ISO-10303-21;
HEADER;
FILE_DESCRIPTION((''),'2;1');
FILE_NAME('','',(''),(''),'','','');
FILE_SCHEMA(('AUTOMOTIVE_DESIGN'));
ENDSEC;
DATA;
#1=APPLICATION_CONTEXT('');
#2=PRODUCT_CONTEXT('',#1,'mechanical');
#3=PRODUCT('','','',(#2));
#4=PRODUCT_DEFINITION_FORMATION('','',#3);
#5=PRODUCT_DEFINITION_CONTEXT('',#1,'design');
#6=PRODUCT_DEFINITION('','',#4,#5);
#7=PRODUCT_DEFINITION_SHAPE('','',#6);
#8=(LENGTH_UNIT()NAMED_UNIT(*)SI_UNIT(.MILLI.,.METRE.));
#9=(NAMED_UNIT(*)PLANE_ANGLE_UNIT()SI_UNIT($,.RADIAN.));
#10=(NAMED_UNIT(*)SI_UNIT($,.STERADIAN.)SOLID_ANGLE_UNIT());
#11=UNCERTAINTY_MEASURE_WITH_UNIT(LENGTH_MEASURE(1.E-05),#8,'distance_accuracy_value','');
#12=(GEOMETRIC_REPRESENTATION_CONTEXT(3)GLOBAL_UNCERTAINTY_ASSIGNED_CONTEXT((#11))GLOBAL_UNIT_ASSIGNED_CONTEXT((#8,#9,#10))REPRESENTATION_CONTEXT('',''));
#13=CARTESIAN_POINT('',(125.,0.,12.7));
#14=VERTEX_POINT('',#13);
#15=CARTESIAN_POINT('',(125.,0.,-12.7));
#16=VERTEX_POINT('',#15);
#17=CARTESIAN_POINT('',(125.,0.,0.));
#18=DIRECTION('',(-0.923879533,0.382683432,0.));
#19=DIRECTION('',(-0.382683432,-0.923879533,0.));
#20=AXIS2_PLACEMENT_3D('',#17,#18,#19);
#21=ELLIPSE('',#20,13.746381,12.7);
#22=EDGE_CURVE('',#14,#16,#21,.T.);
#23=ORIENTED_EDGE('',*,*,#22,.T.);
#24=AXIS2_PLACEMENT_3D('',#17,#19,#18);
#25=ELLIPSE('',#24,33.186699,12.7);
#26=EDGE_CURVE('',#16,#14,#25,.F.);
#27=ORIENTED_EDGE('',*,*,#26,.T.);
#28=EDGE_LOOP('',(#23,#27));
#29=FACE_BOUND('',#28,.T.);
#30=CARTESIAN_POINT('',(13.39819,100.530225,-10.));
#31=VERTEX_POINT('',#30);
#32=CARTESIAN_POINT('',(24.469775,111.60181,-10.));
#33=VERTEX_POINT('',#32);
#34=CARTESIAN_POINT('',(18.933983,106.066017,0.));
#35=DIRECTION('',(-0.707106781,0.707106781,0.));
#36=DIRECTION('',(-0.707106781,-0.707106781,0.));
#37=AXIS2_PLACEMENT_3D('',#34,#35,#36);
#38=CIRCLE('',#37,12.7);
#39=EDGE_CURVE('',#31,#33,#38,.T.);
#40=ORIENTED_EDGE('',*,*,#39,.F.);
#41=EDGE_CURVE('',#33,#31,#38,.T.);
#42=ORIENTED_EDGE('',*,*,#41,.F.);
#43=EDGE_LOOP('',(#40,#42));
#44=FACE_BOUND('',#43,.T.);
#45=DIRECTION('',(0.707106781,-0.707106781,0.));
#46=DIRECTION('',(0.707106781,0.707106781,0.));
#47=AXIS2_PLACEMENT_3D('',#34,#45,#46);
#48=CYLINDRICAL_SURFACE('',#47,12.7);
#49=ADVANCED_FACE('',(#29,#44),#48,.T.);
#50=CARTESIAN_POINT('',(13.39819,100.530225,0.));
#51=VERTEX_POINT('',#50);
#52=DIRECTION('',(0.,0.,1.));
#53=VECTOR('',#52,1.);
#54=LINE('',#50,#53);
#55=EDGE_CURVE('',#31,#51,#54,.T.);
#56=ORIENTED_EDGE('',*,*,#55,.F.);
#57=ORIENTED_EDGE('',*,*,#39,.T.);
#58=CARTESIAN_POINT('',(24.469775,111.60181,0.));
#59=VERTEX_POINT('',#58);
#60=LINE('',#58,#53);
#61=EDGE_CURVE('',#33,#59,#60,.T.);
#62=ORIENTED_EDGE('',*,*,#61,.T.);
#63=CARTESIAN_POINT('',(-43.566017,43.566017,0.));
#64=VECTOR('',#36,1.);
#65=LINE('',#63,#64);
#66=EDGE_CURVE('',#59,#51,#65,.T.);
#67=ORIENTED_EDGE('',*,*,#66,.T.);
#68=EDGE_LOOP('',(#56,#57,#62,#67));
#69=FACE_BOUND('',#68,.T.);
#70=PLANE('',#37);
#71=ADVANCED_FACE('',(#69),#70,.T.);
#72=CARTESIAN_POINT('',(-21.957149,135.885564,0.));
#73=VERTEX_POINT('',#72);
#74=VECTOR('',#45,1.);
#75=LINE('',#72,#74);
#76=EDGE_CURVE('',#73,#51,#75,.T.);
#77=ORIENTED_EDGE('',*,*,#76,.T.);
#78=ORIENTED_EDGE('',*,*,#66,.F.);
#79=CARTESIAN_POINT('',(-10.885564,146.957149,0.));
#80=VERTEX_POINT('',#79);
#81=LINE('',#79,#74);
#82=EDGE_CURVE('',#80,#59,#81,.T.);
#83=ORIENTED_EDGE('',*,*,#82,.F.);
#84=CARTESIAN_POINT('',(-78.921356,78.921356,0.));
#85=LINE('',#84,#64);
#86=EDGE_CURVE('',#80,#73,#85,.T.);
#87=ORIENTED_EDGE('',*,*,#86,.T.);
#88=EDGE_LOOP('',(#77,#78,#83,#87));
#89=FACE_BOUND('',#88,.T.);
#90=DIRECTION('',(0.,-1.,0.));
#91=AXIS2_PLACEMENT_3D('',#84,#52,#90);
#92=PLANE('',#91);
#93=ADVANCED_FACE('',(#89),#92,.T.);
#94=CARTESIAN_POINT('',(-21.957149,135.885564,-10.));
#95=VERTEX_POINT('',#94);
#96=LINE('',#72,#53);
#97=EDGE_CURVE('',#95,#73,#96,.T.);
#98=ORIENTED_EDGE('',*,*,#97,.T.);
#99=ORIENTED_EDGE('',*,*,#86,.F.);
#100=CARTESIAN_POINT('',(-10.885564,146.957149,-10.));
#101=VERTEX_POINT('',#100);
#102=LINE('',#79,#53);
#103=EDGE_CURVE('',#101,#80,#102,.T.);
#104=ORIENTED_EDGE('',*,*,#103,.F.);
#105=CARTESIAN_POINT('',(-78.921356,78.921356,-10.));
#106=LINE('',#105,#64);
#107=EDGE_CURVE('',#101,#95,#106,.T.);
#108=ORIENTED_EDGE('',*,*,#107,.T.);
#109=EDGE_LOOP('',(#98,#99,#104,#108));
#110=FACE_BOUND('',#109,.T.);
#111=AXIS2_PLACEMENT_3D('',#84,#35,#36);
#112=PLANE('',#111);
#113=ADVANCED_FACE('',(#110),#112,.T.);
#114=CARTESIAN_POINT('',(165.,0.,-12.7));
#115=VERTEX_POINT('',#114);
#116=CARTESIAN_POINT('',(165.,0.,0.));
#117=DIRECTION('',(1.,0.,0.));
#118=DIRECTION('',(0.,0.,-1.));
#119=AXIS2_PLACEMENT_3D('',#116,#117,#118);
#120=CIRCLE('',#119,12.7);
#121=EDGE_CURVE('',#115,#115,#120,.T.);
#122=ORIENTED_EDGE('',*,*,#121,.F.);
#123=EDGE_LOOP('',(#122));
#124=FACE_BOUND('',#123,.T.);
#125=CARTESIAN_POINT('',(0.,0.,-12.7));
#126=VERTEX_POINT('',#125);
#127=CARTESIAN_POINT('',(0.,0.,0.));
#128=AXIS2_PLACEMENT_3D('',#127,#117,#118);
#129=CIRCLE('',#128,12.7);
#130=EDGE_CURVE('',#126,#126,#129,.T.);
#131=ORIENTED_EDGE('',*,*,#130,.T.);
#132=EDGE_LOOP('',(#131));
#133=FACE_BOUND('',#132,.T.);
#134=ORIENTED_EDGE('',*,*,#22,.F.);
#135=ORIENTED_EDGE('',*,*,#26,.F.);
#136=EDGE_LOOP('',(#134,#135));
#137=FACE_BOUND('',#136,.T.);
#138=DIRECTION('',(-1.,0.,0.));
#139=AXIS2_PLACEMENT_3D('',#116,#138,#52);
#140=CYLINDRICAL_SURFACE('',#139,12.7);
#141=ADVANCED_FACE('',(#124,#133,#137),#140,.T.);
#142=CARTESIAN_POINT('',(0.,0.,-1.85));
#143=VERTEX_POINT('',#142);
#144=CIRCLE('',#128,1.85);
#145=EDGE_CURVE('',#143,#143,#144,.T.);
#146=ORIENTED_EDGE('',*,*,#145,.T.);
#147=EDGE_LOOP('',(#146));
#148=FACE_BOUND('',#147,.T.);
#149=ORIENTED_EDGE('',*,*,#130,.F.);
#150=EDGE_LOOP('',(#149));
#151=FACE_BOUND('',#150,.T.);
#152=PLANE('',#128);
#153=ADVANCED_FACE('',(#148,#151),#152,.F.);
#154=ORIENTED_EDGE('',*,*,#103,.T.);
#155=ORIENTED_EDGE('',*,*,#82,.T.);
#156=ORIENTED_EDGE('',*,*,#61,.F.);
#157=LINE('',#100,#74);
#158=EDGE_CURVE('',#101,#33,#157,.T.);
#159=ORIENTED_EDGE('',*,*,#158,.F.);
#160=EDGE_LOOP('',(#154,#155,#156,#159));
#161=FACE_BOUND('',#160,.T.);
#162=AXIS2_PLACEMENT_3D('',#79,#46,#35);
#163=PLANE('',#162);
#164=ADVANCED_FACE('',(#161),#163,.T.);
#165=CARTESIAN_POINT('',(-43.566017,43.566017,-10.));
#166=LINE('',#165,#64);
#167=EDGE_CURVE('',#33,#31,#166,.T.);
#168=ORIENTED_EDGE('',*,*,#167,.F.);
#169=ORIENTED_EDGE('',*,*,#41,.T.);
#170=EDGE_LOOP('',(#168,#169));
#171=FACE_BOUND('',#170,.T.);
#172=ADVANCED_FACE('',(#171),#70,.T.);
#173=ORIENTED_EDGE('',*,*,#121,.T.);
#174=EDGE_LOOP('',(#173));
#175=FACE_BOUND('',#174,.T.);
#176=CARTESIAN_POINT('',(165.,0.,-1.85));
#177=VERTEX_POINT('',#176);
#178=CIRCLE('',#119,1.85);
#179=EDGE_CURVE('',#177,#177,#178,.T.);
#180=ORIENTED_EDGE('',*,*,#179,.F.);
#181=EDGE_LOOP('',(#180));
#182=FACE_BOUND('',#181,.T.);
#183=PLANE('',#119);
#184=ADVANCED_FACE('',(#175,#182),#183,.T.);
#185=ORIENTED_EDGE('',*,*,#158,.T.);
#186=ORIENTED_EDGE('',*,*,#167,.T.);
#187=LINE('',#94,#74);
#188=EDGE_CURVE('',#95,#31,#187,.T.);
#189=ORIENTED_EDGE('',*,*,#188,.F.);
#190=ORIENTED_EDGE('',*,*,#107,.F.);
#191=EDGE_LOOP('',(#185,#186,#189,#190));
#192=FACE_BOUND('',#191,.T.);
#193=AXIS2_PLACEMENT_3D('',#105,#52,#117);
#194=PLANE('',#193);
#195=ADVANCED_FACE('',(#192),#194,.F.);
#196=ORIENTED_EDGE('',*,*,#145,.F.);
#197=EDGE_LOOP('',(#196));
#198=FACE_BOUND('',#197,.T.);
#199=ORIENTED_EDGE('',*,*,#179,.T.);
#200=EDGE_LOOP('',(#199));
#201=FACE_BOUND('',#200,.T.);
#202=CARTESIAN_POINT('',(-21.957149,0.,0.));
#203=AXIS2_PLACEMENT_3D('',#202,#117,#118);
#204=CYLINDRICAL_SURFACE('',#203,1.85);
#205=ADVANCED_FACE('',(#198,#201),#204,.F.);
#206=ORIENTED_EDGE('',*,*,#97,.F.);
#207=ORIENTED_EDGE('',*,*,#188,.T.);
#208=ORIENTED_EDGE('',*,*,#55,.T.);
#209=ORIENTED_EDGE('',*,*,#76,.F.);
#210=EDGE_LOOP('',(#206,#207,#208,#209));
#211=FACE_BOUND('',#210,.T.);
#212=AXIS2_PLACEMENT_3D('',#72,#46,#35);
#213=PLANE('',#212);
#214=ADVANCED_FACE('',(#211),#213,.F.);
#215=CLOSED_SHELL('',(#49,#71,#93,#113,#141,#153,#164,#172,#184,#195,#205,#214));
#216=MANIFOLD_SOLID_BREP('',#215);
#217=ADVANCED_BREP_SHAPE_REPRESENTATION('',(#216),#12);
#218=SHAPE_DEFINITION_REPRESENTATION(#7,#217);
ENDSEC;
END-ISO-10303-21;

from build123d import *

# Parameters (mm, degrees)
SKETCH1_R           = 12.7
BOSS_EXTRUDE1_DEPTH = 165
SKETCH7_R           = 12.7
BOSS_EXTRUDE3_DEPTH = 150
SKETCH10_W          = 10
SKETCH10_H          = 15.657586021
BOSS_EXTRUDE8_DEPTH = 50
SKETCH11_R          = 1.85
CUT_EXTRUDE2_DEPTH  = 239.140019974


with BuildPart() as part:
    # Sketch1 → Boss-Extrude1 (new body)
    with BuildSketch(Plane(origin=(0, 0, 0), x_dir=(0, 0, -1), z_dir=(1, 0, 0))):
        Circle(SKETCH1_R)
    extrude(amount=BOSS_EXTRUDE1_DEPTH)

    # Sketch7 → Boss-Extrude3 (add)
    with BuildSketch(Plane(origin=(62.5, -62.5, 0), x_dir=(0.7071067811865464, 0.7071067811865488, 0), z_dir=(-0.7071067811865488, 0.7071067811865464, 0))):
        with Locations(Location((88.388347648, 0, 0), (0, 0, 90))):
            Circle(SKETCH7_R)
    extrude(amount=BOSS_EXTRUDE3_DEPTH)

    # Sketch10 → Boss-Extrude8 (add)
    with BuildSketch(Plane(origin=(-43.566017178, 43.566017178, 0), x_dir=(0, 0, 1), z_dir=(-0.7071067811865487, 0.7071067811865465, 0))):
        with Locations((-5, 88.388347649)):
            Rectangle(SKETCH10_W, SKETCH10_H)
    extrude(amount=BOSS_EXTRUDE8_DEPTH)

    # Sketch11 → Cut-Extrude2 (cut, through all)
    with BuildSketch(Plane(origin=(165, 0, 0), x_dir=(0, 0, -1), z_dir=(1, 0, 0))):
        Circle(SKETCH11_R)
    extrude(amount=-CUT_EXTRUDE2_DEPTH, mode=Mode.SUBTRACT)


solid = part.part
